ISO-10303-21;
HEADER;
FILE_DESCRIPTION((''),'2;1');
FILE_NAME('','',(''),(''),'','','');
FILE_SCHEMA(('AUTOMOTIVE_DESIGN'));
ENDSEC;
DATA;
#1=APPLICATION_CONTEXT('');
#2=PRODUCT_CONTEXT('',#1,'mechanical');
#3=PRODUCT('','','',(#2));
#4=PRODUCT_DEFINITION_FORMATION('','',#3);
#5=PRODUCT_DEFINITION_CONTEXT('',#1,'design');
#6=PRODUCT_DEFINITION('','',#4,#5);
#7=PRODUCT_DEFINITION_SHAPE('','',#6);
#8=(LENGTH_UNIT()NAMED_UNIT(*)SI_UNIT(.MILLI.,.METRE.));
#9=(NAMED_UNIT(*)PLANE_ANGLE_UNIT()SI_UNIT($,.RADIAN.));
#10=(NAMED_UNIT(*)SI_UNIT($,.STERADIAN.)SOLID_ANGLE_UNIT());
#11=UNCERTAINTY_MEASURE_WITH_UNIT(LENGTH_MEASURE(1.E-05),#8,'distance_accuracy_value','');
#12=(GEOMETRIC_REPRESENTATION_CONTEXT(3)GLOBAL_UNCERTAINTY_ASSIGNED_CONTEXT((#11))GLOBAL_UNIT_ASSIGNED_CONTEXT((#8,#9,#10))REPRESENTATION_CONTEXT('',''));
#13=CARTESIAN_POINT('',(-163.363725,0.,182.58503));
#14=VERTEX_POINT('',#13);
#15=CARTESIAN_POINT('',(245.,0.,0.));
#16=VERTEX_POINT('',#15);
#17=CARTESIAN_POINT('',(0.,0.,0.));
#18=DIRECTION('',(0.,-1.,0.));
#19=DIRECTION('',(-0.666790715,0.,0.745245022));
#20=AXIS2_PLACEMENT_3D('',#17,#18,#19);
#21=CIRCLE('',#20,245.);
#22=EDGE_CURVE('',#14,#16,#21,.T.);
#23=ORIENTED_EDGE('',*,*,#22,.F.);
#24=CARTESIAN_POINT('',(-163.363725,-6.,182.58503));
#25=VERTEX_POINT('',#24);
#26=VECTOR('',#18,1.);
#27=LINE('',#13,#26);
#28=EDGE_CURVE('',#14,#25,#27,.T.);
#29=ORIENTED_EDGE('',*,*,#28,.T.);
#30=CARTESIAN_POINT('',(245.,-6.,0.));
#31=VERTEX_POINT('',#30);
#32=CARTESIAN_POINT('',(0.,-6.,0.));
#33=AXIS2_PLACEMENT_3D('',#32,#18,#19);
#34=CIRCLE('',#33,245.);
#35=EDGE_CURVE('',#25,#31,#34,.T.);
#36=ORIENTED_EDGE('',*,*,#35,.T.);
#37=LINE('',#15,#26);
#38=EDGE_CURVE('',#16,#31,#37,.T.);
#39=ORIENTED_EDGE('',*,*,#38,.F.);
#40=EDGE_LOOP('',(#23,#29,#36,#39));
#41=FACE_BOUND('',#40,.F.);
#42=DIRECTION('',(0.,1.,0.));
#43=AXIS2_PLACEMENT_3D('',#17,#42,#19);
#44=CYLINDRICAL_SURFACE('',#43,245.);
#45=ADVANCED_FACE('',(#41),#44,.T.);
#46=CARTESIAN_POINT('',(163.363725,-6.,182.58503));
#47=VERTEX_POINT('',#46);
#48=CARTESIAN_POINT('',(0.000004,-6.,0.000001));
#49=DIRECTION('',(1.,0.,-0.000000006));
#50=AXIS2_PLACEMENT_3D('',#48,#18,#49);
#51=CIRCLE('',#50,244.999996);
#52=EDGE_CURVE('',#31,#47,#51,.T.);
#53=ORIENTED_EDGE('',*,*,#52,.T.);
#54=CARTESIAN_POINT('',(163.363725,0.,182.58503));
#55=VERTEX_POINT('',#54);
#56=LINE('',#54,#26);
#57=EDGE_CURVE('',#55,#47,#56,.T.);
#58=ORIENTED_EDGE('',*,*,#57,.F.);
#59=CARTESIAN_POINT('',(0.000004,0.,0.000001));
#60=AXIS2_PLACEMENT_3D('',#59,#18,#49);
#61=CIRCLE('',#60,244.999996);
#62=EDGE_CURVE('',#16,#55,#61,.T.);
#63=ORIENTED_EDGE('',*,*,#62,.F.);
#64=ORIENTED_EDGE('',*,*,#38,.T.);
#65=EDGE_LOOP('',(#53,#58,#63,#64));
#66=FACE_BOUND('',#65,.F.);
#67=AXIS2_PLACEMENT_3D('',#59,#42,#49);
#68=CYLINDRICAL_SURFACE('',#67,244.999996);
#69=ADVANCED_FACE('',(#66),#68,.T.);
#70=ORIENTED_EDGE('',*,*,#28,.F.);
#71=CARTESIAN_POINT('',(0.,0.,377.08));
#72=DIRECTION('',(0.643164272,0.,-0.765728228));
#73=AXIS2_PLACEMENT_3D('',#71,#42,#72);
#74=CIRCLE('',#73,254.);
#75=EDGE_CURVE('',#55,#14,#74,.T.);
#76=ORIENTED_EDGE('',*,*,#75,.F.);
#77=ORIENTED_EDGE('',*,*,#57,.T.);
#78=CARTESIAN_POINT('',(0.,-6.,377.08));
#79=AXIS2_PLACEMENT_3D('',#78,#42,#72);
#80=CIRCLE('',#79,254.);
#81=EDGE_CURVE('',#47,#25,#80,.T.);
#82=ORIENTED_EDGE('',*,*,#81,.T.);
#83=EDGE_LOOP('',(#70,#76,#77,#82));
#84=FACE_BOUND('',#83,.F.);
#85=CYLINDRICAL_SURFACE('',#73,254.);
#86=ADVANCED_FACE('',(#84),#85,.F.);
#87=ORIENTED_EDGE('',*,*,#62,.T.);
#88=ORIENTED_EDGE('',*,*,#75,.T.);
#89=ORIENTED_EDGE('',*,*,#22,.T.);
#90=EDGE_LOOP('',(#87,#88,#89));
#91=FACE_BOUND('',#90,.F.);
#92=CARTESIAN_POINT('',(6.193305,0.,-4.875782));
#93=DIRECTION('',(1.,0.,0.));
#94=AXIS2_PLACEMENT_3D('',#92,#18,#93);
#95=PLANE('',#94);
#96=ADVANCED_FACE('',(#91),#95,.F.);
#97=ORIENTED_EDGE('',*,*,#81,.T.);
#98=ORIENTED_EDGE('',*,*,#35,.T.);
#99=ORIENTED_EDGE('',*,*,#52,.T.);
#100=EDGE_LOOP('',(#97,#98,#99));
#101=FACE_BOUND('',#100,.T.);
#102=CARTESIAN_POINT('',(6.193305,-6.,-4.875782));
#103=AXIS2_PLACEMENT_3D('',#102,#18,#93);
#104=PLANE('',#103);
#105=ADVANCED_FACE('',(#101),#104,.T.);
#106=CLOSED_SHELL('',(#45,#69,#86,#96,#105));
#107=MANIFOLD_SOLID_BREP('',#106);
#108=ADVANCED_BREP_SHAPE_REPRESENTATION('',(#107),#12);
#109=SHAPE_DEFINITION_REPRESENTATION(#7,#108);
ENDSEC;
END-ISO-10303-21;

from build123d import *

# Parameters (mm, degrees)
F1_DEPTH = 6


with BuildPart() as f1:
    # F0 (on Front) → F1 (new body)
    with BuildSketch(Plane.XZ):
        with BuildLine():
            ThreePointArc((-163.363725, 182.58503), (-100.002218, -223.661701), (245, 0))
            ThreePointArc((245, 0), (223.661701, 100.002218), (163.363725, 182.58503))
            ThreePointArc((163.363725, 182.58503), (0, 123.08), (-163.363725, 182.58503))
        make_face()
    extrude(amount=F1_DEPTH)


solid = f1.part
